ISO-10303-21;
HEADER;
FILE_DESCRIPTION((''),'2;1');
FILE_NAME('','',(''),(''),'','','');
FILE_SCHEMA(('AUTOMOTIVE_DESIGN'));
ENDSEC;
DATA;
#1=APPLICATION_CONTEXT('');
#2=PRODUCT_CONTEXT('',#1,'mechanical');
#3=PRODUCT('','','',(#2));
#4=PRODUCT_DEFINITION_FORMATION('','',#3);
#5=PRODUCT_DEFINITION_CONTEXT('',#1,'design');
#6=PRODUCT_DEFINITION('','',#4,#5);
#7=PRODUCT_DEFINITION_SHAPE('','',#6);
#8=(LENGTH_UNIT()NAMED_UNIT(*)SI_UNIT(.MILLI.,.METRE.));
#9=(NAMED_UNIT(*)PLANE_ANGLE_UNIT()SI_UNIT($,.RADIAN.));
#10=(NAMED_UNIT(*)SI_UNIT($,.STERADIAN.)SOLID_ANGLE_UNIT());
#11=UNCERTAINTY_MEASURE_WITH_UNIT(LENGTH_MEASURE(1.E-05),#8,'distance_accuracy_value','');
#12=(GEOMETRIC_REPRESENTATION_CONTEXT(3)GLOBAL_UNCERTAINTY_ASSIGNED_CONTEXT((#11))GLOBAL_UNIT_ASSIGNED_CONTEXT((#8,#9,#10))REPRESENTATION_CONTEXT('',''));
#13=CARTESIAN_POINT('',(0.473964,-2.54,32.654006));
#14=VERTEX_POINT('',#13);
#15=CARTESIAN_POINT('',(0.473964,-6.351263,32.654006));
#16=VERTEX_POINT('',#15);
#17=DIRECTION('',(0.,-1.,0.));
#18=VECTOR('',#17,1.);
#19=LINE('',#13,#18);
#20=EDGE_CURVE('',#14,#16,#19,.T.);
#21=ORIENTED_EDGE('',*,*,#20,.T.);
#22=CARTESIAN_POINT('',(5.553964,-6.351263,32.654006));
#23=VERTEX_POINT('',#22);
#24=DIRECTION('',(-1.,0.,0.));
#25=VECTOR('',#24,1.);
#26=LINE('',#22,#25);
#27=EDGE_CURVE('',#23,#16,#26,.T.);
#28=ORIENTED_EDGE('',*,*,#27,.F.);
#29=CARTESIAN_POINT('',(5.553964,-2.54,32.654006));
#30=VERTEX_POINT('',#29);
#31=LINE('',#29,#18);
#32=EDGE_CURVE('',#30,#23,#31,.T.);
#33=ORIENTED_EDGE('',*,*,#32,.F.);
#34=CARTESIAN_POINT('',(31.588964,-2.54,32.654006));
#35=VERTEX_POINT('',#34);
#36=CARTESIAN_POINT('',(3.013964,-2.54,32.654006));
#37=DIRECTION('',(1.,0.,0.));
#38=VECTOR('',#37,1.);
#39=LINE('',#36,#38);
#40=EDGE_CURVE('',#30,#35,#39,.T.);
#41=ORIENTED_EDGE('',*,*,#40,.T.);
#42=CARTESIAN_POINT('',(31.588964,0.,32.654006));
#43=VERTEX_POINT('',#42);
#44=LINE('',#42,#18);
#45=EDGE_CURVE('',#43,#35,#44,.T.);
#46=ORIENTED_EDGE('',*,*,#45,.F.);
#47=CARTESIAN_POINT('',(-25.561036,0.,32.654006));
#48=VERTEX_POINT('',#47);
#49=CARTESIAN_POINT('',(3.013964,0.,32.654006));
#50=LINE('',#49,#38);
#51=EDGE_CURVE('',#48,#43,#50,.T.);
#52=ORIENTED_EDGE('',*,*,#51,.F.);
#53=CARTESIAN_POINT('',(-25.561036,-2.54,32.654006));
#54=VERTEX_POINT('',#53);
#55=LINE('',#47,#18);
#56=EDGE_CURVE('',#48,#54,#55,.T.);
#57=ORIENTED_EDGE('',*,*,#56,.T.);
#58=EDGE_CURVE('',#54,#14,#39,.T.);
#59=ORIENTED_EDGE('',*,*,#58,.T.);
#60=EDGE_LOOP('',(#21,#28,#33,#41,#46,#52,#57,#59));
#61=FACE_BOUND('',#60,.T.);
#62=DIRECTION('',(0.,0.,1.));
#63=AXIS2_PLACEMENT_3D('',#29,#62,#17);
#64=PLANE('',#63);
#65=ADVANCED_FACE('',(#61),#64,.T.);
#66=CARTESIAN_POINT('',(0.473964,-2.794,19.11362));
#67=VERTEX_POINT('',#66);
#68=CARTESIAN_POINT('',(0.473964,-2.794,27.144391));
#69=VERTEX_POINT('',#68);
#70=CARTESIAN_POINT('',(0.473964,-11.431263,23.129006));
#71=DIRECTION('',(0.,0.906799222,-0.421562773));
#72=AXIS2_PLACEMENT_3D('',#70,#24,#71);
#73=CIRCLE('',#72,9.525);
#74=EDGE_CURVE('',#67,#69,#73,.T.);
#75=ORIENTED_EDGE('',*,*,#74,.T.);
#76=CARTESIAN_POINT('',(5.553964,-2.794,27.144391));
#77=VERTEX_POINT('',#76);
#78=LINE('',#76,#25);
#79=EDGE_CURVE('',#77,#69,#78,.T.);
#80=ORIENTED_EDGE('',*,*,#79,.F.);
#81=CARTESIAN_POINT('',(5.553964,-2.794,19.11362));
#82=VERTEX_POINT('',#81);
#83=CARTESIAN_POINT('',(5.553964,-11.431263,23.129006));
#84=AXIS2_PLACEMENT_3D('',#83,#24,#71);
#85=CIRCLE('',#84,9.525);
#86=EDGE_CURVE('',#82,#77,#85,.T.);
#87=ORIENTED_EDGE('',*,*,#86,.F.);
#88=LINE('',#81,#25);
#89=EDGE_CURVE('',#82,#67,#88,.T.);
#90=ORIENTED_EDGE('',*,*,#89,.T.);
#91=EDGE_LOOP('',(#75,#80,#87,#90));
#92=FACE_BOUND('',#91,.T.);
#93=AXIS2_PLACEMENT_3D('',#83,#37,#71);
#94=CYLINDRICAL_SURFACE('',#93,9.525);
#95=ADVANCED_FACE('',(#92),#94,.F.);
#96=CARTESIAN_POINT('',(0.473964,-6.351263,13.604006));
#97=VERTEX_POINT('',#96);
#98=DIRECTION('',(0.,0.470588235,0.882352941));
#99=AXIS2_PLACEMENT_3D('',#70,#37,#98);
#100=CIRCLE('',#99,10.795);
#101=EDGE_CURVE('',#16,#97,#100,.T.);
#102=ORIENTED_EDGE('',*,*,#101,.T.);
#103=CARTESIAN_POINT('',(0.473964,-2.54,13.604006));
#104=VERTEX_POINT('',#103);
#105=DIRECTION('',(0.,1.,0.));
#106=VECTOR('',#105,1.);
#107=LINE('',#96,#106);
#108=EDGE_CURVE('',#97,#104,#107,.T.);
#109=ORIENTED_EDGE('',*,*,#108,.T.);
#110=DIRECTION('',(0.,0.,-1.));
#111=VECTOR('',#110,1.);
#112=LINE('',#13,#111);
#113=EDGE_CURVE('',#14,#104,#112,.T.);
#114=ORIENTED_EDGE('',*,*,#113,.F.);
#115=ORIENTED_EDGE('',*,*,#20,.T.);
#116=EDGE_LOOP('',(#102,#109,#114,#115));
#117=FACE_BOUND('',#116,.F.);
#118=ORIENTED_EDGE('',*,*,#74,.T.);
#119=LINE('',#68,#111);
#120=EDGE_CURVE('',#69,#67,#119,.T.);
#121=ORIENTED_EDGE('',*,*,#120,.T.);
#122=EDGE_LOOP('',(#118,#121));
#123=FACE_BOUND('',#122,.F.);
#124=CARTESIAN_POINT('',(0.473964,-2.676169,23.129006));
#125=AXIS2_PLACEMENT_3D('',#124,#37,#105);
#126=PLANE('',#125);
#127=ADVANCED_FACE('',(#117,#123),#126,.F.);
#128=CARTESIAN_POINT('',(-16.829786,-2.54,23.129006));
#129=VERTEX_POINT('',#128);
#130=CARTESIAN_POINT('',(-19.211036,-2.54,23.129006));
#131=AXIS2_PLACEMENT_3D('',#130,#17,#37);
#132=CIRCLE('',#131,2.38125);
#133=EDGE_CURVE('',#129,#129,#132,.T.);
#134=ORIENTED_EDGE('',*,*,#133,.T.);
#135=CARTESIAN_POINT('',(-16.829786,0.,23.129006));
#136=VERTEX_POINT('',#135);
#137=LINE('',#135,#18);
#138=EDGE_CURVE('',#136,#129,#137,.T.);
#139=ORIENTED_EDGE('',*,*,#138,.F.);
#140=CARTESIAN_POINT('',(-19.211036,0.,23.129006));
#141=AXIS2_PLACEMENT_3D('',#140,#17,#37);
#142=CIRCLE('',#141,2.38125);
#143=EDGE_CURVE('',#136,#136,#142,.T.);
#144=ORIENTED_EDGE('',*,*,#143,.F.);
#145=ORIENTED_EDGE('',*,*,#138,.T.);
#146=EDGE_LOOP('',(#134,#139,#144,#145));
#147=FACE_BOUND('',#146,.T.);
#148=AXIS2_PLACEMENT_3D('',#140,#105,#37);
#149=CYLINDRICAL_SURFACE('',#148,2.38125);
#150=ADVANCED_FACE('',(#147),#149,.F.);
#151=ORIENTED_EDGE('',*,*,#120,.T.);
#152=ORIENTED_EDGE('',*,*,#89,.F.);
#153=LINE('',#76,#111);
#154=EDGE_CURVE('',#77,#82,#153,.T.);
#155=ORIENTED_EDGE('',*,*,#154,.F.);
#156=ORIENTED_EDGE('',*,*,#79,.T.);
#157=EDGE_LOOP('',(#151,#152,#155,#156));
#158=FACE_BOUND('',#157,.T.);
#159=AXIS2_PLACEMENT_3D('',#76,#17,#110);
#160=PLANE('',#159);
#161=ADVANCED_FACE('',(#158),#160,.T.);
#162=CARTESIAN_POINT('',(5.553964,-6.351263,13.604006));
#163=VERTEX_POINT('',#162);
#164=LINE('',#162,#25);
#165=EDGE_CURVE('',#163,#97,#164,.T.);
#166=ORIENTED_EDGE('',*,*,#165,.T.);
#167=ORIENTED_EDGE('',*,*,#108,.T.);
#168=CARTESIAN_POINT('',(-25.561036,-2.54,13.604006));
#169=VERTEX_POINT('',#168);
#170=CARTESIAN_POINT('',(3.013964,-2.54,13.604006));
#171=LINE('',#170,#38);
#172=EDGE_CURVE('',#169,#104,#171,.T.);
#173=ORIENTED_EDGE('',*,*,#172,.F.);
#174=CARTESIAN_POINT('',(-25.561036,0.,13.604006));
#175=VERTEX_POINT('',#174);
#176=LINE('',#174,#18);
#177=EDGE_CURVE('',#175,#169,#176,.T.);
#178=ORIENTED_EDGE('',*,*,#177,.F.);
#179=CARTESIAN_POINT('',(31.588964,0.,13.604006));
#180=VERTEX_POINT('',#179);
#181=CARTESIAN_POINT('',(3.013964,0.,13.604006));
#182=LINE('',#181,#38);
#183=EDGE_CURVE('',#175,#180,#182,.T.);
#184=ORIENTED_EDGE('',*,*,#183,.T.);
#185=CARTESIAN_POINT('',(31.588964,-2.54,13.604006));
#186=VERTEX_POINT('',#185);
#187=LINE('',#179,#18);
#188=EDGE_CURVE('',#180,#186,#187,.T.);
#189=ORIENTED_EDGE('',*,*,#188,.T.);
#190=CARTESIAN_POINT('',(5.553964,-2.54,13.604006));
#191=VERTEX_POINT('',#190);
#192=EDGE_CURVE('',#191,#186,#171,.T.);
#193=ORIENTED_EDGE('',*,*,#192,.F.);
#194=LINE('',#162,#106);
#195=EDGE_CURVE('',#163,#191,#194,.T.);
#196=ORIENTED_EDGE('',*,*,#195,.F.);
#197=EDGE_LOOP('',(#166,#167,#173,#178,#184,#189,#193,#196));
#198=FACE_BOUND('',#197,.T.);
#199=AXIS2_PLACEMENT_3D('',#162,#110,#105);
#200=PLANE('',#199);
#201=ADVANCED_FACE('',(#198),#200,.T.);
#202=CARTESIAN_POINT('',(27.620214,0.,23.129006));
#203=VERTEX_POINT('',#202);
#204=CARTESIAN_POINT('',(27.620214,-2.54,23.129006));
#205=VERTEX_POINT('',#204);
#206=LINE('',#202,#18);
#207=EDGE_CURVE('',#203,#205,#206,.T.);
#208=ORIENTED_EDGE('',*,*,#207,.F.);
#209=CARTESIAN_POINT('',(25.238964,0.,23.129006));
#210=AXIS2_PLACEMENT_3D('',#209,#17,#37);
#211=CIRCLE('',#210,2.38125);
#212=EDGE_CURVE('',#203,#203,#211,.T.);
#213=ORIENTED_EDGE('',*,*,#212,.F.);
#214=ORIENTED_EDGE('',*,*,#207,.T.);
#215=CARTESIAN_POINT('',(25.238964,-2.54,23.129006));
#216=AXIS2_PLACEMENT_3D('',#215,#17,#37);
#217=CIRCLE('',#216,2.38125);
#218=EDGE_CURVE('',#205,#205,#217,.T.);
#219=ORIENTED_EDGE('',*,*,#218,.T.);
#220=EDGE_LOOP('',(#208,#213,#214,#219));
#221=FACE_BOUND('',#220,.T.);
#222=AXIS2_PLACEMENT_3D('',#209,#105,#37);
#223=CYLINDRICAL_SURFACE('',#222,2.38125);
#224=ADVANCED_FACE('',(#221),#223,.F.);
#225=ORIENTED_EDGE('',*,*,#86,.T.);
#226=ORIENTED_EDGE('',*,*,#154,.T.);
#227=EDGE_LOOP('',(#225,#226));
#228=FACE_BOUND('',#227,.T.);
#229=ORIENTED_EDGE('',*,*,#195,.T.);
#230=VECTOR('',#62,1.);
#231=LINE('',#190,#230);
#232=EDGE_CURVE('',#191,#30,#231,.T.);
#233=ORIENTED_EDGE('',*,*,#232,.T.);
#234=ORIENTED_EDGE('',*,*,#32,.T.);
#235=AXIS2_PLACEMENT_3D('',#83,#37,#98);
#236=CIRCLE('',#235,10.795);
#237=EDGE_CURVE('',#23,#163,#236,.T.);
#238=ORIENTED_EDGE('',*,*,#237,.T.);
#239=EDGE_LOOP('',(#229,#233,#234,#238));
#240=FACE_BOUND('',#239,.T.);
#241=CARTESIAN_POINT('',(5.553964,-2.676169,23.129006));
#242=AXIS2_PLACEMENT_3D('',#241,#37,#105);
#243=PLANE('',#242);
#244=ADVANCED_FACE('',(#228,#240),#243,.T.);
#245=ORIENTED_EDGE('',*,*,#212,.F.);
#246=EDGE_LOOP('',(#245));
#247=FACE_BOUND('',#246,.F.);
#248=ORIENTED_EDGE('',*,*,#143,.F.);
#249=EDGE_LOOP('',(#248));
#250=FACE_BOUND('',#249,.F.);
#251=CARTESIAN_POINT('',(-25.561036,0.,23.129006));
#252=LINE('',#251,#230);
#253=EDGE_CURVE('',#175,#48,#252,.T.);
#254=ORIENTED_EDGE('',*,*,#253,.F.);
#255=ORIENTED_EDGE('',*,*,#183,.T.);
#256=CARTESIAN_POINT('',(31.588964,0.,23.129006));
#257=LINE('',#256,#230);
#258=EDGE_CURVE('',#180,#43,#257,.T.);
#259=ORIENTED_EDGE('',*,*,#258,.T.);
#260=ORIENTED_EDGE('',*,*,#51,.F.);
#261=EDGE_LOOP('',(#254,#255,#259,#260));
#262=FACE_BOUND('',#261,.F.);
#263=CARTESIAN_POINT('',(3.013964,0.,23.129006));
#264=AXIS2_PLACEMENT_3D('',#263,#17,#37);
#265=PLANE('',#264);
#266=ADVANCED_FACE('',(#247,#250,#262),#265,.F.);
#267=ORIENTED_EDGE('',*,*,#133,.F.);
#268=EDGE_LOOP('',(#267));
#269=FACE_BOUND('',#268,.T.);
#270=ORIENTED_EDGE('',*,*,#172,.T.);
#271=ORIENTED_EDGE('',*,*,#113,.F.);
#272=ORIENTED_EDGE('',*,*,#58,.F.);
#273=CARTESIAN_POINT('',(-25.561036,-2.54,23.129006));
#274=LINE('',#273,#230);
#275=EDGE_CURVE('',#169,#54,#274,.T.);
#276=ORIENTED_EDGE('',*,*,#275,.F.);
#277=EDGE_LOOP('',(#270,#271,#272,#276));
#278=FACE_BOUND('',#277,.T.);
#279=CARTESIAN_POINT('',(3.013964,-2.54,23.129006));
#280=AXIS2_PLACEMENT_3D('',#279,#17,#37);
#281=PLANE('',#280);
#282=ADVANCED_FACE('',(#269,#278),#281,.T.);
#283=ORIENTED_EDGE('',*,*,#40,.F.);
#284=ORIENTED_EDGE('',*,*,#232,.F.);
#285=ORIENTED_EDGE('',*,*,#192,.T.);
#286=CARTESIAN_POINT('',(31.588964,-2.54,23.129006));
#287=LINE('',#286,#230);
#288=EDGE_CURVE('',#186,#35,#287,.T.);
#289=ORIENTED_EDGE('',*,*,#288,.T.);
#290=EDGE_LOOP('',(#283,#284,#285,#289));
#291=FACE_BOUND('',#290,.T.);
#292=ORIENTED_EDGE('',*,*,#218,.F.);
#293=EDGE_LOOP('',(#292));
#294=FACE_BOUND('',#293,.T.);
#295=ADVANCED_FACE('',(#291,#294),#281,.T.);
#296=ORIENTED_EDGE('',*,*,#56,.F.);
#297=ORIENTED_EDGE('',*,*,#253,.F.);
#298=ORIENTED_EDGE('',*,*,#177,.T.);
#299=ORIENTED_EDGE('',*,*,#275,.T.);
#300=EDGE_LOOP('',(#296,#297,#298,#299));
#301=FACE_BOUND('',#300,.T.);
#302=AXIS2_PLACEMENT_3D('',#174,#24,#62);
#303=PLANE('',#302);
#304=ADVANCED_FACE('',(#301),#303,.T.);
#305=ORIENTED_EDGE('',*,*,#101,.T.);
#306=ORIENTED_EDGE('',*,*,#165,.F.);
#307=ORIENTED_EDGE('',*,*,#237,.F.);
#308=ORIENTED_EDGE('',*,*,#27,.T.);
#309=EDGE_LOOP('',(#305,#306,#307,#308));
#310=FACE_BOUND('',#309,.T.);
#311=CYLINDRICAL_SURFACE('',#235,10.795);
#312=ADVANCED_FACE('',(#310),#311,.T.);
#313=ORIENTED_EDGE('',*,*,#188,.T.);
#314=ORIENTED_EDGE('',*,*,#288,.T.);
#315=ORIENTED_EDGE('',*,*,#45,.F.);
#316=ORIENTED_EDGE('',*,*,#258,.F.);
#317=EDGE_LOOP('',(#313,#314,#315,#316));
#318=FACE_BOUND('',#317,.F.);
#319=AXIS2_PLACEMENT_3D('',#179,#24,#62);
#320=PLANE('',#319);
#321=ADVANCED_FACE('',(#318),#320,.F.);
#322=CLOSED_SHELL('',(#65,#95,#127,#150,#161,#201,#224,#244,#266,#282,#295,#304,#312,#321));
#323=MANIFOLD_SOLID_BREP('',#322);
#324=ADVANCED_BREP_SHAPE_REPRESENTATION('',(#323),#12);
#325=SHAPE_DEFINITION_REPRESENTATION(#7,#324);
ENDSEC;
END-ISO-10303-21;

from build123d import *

# Parameters (mm, degrees)
F0_W     = 57.15
F0_H     = 19.05
F0_R     = 2.38125
F1_DEPTH = 2.54
F2_W     = 5.08
F2_H     = 13.97
F3_DEPTH = 0.254
F5_DEPTH = 5.08


with BuildPart() as f1:
    # F0 (on Front) → F1 (new body)
    with BuildSketch(Plane.XZ):
        with Locations((3.013964, 23.129006)):
            Rectangle(F0_W, F0_H)
        with Locations((-19.211036, 23.129006)):
            Circle(F0_R, mode=Mode.SUBTRACT)
        with Locations((25.238964, 23.129006)):
            Circle(F0_R, mode=Mode.SUBTRACT)
    extrude(amount=F1_DEPTH)

    # F2 (on face) → F3 (join)
    with BuildSketch(Plane.XZ.offset(2.54)):
        with Locations((3.013964, 23.129006)):
            Rectangle(F2_W, F2_H)
    extrude(amount=F3_DEPTH)

    # F4 (on face) → F5 (join)
    with BuildSketch(Plane.YZ.offset(5.553964)):
        with BuildLine():
            Line((-2.54, 19.71271), (-2.54, 26.545301))
            ThreePointArc((-2.54, 26.545301), (-2.661883, 26.847016), (-2.794, 27.144391))
            Line((-2.794, 27.144391), (-2.794, 19.11362))
            ThreePointArc((-2.794, 19.11362), (-2.661883, 19.410996), (-2.54, 19.71271))
        make_face()
        with BuildLine():
            ThreePointArc((-2.794, 27.144391), (-2.661883, 26.847016), (-2.54, 26.545301))
            Line((-2.54, 26.545301), (-2.54, 32.654006))
            Line((-2.54, 32.654006), (-6.351263, 32.654006))
            ThreePointArc((-6.351263, 32.654006), (-22.226263, 23.129006), (-6.351263, 13.604006))
            Line((-6.351263, 13.604006), (-2.54, 13.604006))
            Line((-2.54, 13.604006), (-2.54, 19.71271))
            ThreePointArc((-2.54, 19.71271), (-2.661883, 19.410996), (-2.794, 19.11362))
            ThreePointArc((-2.794, 19.11362), (-20.956263, 23.129006), (-2.794, 27.144391))
        make_face()
    extrude(amount=-F5_DEPTH)


solid = f1.part
